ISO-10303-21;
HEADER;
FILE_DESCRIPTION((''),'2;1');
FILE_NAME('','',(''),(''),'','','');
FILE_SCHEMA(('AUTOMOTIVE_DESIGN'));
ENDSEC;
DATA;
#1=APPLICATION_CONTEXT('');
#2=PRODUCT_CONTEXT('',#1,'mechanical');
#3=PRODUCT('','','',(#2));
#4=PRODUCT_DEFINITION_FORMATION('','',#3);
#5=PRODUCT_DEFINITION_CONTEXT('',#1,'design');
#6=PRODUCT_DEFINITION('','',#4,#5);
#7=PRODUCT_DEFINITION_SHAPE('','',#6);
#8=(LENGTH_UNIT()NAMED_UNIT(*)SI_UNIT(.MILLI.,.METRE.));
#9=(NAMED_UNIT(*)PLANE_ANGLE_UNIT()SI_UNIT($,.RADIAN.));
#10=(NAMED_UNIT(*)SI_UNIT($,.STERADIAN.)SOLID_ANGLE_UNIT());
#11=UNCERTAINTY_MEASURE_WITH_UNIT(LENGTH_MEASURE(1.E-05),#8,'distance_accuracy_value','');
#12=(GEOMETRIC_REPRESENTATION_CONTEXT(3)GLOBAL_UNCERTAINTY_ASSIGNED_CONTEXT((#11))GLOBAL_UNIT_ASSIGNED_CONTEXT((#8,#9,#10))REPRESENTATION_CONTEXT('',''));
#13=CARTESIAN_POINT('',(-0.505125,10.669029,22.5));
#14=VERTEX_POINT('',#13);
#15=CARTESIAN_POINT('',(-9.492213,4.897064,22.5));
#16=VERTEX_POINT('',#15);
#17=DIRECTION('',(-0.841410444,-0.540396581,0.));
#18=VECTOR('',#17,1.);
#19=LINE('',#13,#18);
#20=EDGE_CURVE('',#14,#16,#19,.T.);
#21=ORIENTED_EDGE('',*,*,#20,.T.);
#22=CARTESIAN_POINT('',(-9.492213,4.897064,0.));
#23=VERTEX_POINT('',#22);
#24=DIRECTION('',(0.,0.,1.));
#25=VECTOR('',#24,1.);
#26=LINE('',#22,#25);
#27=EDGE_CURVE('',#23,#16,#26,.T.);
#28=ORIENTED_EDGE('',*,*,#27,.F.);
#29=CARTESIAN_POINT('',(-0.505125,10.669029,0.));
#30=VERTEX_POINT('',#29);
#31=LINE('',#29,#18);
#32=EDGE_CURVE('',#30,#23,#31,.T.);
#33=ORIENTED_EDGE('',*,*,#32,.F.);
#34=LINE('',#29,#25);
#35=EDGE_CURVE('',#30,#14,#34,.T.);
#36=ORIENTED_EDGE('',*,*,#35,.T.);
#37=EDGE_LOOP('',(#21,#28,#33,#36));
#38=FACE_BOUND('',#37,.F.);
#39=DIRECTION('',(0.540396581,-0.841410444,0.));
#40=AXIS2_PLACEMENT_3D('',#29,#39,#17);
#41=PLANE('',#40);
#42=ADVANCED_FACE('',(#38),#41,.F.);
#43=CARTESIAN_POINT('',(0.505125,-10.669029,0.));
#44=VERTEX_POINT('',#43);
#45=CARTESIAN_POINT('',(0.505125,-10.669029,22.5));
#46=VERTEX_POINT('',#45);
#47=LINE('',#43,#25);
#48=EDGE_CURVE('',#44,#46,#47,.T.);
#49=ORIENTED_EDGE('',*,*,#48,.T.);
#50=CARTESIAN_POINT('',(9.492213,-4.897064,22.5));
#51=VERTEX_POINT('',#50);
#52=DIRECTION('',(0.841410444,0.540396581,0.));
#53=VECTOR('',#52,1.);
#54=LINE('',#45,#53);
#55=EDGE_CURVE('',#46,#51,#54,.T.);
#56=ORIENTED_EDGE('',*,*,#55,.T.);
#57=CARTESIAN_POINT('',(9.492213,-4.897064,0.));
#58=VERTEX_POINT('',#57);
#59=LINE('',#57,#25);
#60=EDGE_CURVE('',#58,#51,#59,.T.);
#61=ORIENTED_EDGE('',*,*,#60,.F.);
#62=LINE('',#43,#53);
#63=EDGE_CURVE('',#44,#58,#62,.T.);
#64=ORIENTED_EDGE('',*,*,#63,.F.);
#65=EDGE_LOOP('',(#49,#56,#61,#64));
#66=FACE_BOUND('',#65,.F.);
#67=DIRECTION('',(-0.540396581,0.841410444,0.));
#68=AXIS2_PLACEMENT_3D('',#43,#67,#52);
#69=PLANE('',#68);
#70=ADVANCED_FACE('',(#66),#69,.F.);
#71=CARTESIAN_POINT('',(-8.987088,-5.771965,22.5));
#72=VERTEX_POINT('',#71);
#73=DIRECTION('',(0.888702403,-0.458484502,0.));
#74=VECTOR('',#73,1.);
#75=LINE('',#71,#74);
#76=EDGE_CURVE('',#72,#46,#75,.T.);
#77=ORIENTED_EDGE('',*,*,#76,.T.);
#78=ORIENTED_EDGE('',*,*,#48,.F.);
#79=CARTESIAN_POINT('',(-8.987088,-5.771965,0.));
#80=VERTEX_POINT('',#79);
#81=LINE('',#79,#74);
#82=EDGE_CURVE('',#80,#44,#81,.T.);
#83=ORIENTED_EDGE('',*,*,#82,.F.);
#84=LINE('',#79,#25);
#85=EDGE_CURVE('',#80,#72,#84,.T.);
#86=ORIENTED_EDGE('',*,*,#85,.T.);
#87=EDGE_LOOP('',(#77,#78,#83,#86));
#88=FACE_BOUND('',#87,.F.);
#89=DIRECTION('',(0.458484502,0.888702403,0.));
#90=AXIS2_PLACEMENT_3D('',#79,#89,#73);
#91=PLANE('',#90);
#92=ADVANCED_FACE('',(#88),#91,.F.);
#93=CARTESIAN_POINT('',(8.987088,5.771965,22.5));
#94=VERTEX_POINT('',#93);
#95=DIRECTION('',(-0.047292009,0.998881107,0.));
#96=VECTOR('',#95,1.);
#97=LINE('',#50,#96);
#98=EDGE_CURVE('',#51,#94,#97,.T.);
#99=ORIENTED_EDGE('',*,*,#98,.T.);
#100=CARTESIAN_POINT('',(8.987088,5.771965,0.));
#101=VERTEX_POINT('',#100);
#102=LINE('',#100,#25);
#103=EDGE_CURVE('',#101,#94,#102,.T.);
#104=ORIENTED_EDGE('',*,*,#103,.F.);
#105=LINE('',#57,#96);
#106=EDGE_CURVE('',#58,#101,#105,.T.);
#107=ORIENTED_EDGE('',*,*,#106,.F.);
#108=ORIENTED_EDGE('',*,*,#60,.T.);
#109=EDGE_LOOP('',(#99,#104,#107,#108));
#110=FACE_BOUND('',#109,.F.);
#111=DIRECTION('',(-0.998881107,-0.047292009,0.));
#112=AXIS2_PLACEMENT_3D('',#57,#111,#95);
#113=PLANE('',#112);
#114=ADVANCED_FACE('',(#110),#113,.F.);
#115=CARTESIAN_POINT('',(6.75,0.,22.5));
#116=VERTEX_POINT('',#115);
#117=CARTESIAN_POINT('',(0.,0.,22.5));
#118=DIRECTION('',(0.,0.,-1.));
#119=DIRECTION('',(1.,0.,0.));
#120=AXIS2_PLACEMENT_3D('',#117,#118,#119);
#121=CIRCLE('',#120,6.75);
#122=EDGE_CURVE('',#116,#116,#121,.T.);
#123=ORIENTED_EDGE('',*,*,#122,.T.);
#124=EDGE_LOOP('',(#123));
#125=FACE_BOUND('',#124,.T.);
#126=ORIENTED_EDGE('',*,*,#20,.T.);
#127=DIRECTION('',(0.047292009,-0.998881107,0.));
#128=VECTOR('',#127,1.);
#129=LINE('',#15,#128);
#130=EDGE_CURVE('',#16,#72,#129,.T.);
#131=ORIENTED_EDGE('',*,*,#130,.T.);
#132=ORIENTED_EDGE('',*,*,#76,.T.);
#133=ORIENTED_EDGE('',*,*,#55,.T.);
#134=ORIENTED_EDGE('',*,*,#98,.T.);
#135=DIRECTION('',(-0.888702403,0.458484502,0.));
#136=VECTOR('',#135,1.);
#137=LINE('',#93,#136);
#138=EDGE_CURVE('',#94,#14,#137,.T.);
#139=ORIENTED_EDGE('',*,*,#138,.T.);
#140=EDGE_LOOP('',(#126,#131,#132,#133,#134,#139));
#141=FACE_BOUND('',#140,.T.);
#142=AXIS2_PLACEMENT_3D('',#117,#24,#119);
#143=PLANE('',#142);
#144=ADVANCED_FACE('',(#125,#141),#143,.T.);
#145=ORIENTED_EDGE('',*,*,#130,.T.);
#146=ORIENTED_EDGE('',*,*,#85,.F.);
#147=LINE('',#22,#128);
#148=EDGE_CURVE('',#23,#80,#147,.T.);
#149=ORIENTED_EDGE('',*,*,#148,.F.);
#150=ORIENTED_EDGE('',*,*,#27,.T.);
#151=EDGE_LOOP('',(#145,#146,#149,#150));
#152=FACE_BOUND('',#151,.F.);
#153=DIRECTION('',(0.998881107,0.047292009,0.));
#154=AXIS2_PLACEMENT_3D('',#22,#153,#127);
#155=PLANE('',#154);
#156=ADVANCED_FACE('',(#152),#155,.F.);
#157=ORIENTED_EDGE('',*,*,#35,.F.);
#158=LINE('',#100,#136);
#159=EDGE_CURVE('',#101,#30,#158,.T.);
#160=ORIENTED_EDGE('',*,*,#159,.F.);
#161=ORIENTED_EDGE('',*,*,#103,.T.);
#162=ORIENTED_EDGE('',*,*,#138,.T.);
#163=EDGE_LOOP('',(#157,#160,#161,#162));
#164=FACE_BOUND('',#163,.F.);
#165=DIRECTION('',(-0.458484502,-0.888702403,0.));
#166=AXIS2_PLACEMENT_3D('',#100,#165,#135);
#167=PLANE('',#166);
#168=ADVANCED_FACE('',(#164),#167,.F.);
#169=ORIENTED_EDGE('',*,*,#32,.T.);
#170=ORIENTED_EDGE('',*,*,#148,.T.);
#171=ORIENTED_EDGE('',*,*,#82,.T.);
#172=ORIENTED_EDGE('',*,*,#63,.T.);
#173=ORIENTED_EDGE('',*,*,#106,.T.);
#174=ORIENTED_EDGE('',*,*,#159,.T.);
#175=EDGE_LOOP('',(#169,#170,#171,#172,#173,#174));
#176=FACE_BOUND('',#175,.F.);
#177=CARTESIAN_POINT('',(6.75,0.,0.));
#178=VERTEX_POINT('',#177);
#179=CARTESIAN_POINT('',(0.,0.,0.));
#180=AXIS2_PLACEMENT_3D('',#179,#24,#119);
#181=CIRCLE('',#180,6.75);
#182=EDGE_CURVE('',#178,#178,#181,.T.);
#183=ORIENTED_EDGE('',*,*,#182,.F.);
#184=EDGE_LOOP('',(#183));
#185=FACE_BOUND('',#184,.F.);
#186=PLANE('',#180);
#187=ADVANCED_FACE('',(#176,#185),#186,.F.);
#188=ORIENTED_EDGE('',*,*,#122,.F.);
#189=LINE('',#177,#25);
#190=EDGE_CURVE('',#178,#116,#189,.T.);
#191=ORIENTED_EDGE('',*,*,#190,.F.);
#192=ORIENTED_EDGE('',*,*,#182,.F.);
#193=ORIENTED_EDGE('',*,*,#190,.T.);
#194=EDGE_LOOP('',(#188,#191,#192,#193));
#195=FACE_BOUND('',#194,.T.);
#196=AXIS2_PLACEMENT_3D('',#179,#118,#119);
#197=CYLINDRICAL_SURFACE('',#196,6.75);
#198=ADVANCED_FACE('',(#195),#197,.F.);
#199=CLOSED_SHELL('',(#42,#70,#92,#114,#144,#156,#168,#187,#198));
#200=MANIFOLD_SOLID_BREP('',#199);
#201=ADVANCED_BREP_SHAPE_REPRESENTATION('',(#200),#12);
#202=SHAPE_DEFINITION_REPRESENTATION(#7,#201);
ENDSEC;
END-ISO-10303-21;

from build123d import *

# Parameters (mm, degrees)
F2_DEPTH = 22.5
F3_R     = 6.75
F4_DEPTH = 25


with BuildPart() as f2:
    # F0 (on Top) → F2 (new body)
    with BuildSketch(Plane.XY):
        Polygon((-0.505125, 10.669029), (-9.492213, 4.897064), (-8.987088, -5.771965), (0.505125, -10.669029), (9.492213, -4.897064), (8.987088, 5.771965), align=None)
    extrude(amount=F2_DEPTH)

    # F3 (on face) → F4 (cut)
    with BuildSketch(Plane.XY):
        Circle(F3_R)
    extrude(amount=F4_DEPTH, mode=Mode.SUBTRACT)


solid = f2.part
